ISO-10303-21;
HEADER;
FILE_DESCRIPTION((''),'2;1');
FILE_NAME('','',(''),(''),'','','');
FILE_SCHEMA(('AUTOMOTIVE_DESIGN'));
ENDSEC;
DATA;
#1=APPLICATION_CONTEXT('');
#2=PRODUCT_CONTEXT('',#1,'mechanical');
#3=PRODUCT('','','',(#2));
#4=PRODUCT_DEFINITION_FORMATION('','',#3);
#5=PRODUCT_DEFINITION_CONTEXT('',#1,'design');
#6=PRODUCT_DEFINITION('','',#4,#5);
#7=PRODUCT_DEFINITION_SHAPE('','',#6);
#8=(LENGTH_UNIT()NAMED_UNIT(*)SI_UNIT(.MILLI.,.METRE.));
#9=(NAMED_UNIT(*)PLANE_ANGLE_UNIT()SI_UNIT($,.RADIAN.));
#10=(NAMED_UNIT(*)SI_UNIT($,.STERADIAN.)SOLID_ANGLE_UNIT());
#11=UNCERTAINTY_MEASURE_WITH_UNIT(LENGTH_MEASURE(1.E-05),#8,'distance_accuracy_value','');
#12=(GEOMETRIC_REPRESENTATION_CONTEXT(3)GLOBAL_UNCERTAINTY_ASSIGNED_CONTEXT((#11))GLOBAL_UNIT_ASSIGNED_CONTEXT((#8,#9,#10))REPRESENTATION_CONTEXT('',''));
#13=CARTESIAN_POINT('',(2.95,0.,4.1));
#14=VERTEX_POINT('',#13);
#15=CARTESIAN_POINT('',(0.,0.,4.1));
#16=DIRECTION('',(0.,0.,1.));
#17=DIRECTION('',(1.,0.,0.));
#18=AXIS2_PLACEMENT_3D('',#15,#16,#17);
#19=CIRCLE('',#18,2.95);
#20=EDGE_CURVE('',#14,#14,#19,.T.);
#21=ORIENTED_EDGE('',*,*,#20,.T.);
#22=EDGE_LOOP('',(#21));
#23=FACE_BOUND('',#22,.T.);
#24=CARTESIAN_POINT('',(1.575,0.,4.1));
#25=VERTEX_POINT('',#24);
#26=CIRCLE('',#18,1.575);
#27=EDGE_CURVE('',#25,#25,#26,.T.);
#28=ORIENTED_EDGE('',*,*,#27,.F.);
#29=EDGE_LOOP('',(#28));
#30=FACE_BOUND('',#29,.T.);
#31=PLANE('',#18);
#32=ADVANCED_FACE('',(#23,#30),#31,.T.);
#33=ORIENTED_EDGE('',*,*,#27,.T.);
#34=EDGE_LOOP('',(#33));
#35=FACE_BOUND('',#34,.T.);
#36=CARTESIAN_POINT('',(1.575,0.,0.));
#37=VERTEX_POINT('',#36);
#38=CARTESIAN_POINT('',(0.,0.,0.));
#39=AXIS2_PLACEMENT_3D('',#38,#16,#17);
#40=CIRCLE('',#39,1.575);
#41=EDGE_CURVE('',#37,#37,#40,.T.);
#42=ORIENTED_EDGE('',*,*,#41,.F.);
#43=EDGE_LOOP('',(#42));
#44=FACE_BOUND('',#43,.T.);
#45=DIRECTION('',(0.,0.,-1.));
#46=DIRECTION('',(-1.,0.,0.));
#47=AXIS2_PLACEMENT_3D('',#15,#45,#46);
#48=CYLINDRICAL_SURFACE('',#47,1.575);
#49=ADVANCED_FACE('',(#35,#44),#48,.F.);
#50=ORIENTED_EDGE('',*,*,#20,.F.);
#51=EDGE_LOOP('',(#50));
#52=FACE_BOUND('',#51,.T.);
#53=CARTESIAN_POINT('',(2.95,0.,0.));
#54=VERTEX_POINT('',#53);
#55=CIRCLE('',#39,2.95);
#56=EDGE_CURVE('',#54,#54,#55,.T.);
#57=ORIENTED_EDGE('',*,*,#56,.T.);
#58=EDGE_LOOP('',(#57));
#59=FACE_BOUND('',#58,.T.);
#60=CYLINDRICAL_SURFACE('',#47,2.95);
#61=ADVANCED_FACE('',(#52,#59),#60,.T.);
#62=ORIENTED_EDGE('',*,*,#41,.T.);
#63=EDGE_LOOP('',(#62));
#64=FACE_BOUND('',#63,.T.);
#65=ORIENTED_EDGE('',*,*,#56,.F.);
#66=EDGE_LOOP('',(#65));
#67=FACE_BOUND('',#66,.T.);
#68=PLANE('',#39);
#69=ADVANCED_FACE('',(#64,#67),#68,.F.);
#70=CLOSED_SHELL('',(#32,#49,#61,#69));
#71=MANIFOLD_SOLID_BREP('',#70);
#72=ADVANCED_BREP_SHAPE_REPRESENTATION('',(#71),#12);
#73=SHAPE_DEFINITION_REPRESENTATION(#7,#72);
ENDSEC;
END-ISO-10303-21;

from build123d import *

# Parameters (mm, degrees)
ESQUISSE1_R        = 2.95
ESQUISSE1_R_2      = 1.575
BOSS_EXTRU_1_DEPTH = 4.1


with BuildPart() as part:
    # Esquisse1 → Boss.-Extru.1 (new body)
    with BuildSketch(Plane.XY):
        Circle(ESQUISSE1_R)
        Circle(ESQUISSE1_R_2, mode=Mode.SUBTRACT)
    extrude(amount=BOSS_EXTRU_1_DEPTH)


solid = part.part
